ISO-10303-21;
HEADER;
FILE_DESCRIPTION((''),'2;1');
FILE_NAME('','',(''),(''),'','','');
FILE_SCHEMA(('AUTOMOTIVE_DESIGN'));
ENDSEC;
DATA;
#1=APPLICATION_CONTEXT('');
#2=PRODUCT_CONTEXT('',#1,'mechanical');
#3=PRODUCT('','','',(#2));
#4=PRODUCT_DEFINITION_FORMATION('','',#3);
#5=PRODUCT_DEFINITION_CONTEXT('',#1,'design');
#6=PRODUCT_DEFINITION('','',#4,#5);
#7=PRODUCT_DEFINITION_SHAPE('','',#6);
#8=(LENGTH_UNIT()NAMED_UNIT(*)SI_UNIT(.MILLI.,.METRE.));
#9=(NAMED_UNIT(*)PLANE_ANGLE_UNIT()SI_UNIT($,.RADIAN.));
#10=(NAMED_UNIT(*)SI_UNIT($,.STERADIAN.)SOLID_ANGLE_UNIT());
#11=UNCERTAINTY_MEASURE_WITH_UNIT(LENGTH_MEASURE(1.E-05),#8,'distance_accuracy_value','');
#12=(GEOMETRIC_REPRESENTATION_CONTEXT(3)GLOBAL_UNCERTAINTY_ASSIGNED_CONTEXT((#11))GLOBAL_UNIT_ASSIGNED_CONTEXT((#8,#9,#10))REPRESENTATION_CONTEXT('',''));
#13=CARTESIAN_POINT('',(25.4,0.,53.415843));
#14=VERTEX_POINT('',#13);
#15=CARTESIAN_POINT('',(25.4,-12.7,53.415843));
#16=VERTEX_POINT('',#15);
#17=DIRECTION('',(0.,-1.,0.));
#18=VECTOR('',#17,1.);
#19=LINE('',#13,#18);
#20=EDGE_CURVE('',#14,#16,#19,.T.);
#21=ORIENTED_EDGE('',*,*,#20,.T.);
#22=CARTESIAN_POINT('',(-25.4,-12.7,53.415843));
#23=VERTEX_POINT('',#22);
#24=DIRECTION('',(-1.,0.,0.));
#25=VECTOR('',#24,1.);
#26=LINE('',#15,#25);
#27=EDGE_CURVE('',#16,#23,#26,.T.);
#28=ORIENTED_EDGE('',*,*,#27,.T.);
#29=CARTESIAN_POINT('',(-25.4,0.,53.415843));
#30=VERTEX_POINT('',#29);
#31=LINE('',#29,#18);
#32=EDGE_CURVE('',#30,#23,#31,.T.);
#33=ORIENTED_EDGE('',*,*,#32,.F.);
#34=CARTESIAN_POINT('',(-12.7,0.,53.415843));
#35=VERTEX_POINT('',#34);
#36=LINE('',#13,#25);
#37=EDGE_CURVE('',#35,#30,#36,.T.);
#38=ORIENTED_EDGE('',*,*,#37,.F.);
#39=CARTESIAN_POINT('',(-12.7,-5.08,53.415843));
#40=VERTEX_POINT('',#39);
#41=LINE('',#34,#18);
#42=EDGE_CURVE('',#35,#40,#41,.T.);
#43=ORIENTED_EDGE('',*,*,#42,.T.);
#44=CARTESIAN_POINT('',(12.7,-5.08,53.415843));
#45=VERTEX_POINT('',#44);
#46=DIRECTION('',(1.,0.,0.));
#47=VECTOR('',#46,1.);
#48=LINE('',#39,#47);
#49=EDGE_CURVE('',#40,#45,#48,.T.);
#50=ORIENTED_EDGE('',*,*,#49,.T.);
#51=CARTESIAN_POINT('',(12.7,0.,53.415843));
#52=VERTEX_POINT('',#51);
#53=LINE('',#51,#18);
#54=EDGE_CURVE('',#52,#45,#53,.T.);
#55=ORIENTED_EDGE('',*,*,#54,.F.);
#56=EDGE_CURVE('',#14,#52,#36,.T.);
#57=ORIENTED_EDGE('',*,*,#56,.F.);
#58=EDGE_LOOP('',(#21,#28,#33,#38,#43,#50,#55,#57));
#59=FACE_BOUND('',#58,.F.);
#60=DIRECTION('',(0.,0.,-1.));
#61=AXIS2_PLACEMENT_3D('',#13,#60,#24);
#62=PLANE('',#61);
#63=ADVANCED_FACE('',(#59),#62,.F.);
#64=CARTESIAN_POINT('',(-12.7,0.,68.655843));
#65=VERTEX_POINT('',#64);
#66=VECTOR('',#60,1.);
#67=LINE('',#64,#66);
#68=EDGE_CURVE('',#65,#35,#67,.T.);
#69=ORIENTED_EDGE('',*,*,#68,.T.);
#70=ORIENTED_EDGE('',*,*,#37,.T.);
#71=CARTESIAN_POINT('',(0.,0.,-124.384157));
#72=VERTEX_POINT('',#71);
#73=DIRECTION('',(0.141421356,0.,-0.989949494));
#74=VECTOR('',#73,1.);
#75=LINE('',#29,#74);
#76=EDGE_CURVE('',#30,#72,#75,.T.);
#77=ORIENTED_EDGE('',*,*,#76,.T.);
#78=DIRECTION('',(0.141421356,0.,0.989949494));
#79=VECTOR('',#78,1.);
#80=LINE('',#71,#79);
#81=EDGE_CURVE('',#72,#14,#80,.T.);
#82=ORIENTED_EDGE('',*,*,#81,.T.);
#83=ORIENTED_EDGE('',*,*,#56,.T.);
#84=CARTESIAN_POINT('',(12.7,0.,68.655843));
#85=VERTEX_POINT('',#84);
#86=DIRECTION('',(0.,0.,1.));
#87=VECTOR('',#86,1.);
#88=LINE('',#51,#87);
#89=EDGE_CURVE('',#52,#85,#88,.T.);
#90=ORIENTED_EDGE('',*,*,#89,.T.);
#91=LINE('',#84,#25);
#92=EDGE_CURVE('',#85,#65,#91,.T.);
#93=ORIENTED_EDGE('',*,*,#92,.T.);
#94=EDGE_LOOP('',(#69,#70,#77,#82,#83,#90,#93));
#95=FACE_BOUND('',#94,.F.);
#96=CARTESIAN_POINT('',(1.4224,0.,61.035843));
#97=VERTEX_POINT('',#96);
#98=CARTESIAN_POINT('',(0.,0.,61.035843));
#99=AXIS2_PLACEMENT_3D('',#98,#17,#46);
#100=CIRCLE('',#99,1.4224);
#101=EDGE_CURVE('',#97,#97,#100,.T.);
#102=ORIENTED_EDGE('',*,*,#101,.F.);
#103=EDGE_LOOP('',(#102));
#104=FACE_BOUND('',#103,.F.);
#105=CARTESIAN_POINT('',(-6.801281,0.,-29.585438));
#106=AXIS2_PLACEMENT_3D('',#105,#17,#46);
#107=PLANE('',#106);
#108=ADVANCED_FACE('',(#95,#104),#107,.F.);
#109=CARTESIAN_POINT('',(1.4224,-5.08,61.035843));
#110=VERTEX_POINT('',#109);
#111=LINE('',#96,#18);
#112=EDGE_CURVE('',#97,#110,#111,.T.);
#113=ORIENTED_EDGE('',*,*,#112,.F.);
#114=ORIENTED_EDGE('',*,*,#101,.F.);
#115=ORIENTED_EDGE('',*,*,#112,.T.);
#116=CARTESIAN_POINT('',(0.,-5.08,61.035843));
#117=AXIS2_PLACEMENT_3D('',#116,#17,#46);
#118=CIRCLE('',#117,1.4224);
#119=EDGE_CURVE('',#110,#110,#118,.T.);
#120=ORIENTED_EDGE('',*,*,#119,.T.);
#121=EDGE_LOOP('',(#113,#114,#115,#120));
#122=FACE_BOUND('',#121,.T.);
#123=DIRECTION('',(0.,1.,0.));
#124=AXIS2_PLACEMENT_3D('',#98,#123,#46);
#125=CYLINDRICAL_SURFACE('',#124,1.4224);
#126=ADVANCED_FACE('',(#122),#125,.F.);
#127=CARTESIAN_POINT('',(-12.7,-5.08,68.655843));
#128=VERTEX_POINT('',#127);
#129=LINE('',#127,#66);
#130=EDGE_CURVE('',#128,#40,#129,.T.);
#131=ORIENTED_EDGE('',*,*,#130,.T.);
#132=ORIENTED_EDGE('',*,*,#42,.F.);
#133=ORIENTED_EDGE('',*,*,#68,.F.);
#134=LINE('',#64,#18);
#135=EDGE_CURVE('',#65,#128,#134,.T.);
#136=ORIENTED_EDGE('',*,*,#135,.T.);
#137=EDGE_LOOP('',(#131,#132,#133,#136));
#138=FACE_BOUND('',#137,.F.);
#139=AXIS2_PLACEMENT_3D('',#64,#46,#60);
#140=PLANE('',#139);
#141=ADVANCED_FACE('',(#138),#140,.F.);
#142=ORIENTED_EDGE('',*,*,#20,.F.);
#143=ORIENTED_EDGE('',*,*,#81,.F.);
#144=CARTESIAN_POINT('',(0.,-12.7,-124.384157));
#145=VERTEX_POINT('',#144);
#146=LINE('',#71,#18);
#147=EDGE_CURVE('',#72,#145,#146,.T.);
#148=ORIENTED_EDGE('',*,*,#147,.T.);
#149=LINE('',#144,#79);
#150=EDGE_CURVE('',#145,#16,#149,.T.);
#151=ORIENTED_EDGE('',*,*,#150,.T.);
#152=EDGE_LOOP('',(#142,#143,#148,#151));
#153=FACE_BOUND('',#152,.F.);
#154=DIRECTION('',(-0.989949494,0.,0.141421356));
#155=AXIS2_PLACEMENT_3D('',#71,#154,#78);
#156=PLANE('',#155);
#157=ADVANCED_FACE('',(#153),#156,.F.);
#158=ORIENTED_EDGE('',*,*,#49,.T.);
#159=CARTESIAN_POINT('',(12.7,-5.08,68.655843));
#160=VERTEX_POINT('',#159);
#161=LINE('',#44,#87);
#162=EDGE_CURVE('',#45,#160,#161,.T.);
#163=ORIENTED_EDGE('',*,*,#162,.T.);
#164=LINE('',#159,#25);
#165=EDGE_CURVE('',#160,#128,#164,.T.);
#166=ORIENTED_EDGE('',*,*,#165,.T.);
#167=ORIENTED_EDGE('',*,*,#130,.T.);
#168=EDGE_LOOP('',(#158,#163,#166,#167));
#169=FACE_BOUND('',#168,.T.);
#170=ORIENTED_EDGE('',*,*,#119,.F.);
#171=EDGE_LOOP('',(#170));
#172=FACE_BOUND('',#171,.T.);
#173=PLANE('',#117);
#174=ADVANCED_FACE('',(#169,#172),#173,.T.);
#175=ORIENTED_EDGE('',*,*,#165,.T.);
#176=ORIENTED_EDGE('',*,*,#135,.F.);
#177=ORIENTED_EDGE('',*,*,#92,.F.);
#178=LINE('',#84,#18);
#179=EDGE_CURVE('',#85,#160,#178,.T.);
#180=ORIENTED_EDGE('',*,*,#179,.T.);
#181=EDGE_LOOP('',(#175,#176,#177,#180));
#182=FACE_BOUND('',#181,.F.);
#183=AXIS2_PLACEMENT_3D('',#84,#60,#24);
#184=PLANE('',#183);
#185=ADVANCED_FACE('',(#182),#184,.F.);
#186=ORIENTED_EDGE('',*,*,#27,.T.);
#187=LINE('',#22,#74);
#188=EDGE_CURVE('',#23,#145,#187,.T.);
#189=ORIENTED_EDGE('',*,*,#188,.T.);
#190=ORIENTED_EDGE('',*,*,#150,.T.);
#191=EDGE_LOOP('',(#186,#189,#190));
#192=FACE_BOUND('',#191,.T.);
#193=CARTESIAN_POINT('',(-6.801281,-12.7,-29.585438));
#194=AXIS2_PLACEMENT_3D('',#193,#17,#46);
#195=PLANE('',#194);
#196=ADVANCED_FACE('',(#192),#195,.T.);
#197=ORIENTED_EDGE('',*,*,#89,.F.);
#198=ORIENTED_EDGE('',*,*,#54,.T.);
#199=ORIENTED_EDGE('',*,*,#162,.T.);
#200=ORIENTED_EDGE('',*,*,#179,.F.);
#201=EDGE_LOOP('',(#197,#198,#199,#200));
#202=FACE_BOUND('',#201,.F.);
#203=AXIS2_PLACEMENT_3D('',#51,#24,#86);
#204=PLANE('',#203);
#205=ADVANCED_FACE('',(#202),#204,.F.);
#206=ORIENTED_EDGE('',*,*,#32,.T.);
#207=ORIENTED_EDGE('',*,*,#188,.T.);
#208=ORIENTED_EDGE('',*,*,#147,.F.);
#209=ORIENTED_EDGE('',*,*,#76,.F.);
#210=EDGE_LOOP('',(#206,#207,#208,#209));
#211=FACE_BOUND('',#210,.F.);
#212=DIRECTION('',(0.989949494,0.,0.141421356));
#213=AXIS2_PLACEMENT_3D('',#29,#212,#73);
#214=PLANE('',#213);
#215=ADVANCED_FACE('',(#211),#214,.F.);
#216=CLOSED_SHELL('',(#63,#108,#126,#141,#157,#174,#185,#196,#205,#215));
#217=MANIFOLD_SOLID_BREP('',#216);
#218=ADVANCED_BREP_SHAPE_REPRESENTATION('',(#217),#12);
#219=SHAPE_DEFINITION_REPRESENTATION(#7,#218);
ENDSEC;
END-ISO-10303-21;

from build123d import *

# Parameters (mm, degrees)
F1_DEPTH = 12.7
F0_R     = 1.4224
F2_DEPTH = 5.08


with BuildPart() as f1:
    # F0 (on Front) → F1 (new body)
    with BuildSketch(Plane.XZ):
        Polygon((0, -124.384157), (0, 53.415843), (-12.7, 53.415843), (-25.4, 53.415843), align=None)
        Polygon((12.7, 53.415843), (0, 53.415843), (0, -124.384157), (25.4, 53.415843), align=None)
    extrude(amount=F1_DEPTH)

    # F0 (on Front) → F2 (join)
    with BuildSketch(Plane.XZ):
        Polygon((-12.7, 53.415843), (0, 53.415843), (12.7, 53.415843), (12.7, 68.655843), (-12.7, 68.655843), align=None)
        with Locations((0, 61.035843)):
            Circle(F0_R, mode=Mode.SUBTRACT)
    extrude(amount=F2_DEPTH)


solid = f1.part
